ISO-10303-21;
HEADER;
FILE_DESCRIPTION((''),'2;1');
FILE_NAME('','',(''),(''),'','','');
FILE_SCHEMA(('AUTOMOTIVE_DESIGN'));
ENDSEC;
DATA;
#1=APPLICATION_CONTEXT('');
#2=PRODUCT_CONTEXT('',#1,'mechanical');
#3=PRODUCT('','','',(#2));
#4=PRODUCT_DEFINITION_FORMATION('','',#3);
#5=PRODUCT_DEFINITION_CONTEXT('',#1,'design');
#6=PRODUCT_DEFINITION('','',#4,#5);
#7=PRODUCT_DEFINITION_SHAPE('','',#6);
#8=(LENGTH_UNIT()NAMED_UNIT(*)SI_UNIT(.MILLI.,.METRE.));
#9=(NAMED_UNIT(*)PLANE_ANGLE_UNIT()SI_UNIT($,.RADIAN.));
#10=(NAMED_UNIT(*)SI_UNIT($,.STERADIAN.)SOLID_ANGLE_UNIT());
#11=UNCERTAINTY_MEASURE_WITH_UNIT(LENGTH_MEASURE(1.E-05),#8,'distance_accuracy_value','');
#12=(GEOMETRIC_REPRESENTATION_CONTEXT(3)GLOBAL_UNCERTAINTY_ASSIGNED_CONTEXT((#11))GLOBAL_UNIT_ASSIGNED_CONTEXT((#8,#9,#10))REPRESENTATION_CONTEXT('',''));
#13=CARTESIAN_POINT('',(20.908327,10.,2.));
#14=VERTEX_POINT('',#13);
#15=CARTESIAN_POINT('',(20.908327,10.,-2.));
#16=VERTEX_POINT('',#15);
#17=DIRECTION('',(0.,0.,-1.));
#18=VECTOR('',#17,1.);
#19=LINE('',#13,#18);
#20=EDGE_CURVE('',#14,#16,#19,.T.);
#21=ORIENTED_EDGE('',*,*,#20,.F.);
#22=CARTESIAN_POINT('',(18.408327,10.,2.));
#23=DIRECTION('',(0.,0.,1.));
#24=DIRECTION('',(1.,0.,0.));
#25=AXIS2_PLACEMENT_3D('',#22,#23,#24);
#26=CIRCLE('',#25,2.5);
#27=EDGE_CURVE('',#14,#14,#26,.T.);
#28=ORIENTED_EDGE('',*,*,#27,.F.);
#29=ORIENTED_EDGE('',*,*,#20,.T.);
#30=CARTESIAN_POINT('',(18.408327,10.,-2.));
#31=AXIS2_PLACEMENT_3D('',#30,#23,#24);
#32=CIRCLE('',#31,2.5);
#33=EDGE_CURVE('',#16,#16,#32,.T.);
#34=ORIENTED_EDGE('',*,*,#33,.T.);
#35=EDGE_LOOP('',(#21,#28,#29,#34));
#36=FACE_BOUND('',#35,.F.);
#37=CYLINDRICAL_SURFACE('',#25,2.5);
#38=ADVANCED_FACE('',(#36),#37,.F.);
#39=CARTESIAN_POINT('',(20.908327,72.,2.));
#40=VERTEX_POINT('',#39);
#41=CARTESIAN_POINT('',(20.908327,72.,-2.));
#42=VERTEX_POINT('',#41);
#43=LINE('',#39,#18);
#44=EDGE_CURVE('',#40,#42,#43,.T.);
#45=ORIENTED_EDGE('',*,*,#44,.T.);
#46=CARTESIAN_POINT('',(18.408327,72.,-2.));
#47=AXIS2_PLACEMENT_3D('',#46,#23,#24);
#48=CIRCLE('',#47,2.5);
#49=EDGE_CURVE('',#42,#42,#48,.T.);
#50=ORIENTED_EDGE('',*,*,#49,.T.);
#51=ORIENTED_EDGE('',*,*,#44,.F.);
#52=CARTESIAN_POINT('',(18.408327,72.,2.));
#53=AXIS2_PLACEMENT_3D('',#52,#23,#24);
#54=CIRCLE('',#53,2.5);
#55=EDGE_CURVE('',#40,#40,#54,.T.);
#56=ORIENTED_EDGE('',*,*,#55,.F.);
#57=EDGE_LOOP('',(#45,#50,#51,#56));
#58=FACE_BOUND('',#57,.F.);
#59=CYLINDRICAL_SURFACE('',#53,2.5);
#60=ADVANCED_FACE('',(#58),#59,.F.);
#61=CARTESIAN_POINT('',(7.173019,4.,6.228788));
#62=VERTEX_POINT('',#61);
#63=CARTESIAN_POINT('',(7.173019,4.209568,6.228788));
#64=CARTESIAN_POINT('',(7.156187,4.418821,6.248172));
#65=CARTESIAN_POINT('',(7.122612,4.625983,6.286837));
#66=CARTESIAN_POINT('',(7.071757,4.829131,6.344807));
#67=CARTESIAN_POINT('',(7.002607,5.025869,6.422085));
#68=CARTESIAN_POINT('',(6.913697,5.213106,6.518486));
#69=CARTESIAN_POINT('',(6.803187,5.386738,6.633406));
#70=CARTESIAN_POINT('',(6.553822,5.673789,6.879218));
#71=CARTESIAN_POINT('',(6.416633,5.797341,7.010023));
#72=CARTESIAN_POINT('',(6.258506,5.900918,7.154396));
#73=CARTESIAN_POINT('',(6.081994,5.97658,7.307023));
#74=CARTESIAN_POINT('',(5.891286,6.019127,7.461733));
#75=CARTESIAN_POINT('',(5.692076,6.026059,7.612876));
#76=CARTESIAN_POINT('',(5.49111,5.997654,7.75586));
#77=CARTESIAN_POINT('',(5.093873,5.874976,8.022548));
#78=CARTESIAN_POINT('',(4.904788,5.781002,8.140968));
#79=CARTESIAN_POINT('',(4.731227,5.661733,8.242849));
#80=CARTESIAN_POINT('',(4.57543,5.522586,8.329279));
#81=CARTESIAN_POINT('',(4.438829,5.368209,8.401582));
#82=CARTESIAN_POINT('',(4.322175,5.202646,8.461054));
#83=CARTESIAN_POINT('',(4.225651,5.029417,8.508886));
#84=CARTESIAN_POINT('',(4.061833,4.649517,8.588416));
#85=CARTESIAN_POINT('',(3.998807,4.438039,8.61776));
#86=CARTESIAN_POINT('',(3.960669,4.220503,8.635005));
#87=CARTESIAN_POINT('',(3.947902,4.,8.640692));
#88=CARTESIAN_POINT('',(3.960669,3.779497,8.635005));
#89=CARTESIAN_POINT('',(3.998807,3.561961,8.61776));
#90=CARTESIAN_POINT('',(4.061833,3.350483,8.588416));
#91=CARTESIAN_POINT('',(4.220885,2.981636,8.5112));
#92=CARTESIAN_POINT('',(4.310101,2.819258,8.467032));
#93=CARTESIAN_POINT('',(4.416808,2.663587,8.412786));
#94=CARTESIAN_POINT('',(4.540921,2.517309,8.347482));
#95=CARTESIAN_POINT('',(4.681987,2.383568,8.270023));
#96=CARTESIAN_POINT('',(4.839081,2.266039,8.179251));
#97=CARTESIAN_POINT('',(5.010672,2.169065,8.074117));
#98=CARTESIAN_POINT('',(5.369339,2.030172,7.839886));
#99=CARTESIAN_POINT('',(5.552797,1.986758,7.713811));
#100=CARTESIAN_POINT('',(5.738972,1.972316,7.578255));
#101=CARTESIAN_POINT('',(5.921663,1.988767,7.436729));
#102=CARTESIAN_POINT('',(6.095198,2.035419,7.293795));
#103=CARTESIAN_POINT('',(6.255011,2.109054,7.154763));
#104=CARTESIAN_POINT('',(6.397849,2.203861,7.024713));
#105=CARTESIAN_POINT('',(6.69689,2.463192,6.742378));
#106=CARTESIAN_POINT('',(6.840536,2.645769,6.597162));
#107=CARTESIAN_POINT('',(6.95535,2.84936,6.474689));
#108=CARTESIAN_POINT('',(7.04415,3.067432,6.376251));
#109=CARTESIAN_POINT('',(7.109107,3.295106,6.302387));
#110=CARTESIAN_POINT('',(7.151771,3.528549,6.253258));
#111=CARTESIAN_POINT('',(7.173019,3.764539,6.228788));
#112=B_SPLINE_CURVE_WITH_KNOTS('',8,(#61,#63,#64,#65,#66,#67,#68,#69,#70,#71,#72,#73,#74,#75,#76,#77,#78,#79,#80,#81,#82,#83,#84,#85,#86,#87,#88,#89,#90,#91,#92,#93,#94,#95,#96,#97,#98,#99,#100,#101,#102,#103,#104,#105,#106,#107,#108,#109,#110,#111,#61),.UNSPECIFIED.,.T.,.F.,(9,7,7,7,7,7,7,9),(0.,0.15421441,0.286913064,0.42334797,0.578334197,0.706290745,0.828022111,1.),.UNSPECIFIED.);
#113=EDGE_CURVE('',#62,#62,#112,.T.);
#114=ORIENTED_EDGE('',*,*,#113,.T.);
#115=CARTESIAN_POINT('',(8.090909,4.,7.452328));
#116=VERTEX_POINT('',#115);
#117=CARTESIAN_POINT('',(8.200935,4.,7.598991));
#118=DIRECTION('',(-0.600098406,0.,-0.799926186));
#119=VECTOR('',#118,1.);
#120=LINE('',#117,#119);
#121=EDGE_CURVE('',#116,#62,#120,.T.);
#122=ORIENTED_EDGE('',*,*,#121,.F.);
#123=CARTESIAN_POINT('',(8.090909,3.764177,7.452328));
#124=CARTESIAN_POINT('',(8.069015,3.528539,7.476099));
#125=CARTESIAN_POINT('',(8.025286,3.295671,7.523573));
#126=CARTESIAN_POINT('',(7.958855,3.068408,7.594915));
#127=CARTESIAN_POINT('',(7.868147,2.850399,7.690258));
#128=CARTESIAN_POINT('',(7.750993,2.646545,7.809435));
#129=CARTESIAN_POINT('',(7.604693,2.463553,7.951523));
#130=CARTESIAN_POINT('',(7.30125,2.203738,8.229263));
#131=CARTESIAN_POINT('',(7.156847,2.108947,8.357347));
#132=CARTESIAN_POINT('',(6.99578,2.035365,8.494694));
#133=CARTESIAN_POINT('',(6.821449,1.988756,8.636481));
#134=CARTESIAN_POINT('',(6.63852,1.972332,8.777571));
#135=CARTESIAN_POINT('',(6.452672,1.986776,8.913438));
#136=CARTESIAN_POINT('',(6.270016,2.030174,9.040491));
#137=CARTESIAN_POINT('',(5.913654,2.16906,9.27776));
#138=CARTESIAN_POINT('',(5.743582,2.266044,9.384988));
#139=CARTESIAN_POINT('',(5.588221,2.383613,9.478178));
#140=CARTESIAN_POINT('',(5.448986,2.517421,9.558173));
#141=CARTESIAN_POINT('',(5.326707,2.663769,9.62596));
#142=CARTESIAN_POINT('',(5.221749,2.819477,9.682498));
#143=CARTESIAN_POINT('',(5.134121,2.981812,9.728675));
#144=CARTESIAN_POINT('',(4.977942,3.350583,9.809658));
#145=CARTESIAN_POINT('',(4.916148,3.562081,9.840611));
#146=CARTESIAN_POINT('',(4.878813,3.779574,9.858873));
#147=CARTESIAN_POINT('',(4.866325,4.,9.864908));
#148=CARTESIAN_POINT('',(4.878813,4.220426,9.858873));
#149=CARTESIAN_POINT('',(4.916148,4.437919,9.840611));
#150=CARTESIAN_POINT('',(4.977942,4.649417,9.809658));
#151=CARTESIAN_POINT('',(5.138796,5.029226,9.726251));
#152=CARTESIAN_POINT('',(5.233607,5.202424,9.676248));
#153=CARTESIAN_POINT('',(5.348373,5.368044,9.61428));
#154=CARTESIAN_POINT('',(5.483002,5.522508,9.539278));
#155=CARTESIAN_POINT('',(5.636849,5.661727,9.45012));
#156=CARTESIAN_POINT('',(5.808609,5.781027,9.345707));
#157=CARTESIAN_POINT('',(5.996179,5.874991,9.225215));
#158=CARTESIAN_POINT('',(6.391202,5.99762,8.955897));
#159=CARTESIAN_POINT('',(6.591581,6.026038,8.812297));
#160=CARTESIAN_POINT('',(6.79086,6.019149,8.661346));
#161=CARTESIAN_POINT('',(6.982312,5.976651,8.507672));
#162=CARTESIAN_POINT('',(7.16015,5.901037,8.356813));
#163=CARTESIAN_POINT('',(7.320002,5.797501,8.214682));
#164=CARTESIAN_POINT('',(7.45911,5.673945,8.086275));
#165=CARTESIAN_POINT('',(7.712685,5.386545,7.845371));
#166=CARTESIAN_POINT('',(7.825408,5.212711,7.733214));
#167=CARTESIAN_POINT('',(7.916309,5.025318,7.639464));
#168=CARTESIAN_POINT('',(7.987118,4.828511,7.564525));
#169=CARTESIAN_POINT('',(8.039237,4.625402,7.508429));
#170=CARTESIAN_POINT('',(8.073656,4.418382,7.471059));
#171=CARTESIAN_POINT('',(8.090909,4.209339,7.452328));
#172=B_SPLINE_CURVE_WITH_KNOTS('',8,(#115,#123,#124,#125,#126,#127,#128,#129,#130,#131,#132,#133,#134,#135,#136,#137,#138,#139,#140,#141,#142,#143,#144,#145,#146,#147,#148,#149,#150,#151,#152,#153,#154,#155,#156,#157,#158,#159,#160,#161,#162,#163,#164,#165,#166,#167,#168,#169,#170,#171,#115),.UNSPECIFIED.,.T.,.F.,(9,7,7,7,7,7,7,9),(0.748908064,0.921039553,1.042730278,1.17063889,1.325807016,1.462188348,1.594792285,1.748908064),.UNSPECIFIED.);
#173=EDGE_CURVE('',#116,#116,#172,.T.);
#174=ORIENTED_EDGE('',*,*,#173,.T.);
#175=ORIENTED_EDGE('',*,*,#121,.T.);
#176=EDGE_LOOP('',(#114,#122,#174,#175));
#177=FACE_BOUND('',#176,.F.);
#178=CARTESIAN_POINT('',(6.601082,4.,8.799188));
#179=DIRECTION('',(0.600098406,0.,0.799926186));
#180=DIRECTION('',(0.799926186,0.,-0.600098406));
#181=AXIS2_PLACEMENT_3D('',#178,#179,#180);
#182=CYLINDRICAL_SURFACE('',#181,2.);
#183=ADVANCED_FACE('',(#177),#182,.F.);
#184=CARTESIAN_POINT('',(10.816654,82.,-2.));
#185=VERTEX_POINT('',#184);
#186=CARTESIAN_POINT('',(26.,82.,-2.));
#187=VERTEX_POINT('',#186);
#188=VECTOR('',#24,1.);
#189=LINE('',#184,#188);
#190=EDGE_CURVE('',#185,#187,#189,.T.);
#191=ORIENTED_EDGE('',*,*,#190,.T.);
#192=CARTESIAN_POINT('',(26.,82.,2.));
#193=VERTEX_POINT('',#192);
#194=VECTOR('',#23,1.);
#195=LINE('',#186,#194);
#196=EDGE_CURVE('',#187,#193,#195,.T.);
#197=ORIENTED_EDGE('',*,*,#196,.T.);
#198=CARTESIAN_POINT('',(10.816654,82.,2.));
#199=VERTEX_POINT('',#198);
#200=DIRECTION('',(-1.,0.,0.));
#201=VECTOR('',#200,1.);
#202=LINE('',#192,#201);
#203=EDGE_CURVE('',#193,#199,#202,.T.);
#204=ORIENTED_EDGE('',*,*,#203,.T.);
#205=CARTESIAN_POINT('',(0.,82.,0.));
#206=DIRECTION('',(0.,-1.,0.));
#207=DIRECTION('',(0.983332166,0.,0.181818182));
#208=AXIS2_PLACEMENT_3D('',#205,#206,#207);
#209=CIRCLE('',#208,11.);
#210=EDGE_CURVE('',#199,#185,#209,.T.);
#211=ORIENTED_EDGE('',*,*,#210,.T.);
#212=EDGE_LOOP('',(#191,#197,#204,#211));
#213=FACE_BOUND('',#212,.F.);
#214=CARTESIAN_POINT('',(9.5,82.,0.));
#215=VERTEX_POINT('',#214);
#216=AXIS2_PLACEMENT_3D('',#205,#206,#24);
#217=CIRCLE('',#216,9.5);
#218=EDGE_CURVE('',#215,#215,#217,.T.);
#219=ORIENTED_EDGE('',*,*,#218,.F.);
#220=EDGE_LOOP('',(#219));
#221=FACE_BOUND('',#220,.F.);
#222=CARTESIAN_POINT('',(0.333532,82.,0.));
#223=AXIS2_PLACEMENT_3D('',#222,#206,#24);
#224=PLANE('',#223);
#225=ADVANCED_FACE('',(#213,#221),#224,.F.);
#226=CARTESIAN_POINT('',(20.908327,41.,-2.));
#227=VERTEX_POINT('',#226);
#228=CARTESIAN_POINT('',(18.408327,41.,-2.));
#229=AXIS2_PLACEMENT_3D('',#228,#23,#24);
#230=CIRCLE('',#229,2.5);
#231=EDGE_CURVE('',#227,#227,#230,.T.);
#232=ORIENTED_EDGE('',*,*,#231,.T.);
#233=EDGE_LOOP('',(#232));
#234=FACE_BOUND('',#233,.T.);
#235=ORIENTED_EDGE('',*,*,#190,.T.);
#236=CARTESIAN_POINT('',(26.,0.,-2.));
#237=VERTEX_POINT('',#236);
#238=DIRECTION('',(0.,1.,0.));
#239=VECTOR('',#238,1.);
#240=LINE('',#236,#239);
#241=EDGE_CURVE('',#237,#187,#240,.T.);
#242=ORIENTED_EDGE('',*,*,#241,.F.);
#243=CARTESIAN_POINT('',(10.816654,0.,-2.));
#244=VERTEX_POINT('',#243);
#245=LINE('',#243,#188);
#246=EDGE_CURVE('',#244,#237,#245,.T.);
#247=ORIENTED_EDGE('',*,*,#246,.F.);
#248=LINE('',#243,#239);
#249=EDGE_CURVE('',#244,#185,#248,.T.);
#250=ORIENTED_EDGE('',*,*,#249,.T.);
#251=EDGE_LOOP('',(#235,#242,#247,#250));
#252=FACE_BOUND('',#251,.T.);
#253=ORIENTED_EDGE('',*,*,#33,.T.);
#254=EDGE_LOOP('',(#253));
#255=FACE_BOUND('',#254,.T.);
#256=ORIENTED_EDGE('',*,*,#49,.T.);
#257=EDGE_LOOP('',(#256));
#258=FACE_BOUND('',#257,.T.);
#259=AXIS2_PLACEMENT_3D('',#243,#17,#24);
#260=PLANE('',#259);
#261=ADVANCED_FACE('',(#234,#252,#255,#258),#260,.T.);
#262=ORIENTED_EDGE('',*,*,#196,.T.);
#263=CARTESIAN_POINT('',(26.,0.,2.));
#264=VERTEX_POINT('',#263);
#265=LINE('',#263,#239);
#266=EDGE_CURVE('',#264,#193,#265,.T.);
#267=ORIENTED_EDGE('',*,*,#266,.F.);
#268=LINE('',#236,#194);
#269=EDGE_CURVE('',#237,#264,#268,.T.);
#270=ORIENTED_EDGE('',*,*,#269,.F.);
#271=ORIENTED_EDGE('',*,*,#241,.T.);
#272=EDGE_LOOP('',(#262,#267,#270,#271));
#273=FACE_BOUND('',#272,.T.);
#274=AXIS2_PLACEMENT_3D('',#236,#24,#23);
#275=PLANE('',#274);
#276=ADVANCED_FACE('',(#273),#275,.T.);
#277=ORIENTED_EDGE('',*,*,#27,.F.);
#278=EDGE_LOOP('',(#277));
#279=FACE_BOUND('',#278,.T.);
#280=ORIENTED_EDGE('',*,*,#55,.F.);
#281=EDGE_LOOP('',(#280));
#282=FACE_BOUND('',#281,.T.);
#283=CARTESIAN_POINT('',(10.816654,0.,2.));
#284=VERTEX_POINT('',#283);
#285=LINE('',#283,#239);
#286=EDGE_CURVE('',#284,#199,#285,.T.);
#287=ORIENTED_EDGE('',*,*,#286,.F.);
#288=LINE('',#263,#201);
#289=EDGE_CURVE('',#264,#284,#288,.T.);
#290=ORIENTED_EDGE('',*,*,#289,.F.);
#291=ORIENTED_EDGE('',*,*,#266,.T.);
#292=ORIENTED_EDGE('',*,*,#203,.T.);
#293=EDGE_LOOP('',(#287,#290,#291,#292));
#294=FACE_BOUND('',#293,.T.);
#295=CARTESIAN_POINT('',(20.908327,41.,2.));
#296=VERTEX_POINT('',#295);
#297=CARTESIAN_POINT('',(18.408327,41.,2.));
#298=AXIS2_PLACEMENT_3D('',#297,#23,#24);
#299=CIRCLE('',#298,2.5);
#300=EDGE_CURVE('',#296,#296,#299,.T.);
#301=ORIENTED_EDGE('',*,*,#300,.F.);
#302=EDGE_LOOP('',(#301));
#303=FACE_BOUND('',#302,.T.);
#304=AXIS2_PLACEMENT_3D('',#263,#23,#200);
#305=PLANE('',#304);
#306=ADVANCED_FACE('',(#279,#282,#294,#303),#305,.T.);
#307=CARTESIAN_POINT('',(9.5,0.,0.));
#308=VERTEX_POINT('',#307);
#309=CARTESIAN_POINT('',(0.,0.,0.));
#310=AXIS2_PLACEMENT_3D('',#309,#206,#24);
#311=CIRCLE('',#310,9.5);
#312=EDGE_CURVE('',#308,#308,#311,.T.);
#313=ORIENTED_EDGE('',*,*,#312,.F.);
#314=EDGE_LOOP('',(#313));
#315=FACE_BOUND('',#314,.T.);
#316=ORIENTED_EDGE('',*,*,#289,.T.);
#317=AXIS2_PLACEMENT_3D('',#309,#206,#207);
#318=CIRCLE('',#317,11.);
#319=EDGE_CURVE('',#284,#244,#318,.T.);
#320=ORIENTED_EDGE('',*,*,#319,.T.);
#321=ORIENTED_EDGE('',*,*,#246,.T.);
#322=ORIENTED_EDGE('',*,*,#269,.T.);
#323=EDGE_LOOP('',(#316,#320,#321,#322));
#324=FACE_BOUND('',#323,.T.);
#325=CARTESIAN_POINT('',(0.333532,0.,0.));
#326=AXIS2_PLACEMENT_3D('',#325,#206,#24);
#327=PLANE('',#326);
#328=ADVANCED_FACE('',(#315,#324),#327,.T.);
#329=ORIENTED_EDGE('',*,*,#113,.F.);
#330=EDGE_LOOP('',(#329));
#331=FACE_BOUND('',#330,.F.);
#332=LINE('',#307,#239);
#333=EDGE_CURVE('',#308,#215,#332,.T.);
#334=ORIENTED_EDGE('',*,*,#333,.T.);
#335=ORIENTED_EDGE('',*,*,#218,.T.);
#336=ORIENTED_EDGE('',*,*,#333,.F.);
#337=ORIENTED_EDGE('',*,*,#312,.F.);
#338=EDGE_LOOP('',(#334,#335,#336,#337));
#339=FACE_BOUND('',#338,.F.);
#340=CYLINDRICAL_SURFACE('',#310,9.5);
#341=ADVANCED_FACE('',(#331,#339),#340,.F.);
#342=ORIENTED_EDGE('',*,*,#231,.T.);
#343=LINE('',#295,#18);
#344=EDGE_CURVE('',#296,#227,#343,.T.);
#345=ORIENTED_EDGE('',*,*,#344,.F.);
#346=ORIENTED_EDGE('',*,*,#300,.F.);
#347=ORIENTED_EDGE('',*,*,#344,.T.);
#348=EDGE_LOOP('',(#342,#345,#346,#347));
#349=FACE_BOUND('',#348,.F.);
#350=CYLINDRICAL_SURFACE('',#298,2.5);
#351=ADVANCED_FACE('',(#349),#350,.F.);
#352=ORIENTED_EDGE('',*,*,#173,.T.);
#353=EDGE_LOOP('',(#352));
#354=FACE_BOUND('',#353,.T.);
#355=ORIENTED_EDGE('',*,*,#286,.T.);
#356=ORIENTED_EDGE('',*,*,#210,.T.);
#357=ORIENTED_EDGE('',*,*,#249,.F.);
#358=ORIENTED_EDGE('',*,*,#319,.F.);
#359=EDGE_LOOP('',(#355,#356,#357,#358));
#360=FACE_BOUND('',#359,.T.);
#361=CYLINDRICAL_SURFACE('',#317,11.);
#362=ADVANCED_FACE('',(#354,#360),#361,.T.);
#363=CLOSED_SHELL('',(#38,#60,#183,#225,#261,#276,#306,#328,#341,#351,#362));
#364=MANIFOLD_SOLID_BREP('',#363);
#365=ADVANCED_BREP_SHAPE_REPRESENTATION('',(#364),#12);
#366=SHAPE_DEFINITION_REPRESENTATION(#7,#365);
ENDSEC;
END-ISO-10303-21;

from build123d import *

# Parameters (mm, degrees)
F0_R     = 9.5
F1_DEPTH = 82
F2_R     = 2.5
F3_DEPTH = 25
F6_R     = 2
F7_DEPTH = 5


with BuildPart() as f1:
    # F0 (on Front) → F1 (new body)
    with BuildSketch(Plane.XZ):
        with BuildLine():
            ThreePointArc((10.8166538264, -2), (10.9540675571, -1.004193186), (11, 0))
            ThreePointArc((11, 0), (10.9540675571, 1.004193186), (10.8166538264, 2))
            ThreePointArc((10.8166538264, 2), (-11, 0), (10.8166538264, -2))
        make_face()
        Circle(F0_R, mode=Mode.SUBTRACT)
        with BuildLine():
            ThreePointArc((10.8166538264, 2), (10.9540675571, 1.004193186), (11, 0))
            ThreePointArc((11, 0), (10.9540675571, -1.004193186), (10.8166538264, -2))
            Line((10.8166538264, -2), (26, -2))
            Line((26, -2), (26, 2))
            Line((26, 2), (10.8166538264, 2))
        make_face()
    extrude(amount=-F1_DEPTH)

    # F2 (on face) → F3 (cut)
    with BuildSketch(Plane.XY.offset(2)):
        with Locations((18.4083269132, 72)):
            Circle(F2_R)
        with Locations((18.4083269132, 41)):
            Circle(F2_R)
        with Locations((18.4083269132, 10)):
            Circle(F2_R)
    extrude(amount=-F3_DEPTH, mode=Mode.SUBTRACT)

    # F6 (on face) → F7 (cut)
    with BuildSketch(Plane(origin=(6.6010824652, 0, 8.799188047), x_dir=(0.7999261861, 0, -0.6000984059), z_dir=(0.6000984059, 0, 0.7999261861))):
        with Locations((0, 4)):
            Circle(F6_R)
    extrude(amount=-F7_DEPTH, mode=Mode.SUBTRACT)


solid = f1.part
